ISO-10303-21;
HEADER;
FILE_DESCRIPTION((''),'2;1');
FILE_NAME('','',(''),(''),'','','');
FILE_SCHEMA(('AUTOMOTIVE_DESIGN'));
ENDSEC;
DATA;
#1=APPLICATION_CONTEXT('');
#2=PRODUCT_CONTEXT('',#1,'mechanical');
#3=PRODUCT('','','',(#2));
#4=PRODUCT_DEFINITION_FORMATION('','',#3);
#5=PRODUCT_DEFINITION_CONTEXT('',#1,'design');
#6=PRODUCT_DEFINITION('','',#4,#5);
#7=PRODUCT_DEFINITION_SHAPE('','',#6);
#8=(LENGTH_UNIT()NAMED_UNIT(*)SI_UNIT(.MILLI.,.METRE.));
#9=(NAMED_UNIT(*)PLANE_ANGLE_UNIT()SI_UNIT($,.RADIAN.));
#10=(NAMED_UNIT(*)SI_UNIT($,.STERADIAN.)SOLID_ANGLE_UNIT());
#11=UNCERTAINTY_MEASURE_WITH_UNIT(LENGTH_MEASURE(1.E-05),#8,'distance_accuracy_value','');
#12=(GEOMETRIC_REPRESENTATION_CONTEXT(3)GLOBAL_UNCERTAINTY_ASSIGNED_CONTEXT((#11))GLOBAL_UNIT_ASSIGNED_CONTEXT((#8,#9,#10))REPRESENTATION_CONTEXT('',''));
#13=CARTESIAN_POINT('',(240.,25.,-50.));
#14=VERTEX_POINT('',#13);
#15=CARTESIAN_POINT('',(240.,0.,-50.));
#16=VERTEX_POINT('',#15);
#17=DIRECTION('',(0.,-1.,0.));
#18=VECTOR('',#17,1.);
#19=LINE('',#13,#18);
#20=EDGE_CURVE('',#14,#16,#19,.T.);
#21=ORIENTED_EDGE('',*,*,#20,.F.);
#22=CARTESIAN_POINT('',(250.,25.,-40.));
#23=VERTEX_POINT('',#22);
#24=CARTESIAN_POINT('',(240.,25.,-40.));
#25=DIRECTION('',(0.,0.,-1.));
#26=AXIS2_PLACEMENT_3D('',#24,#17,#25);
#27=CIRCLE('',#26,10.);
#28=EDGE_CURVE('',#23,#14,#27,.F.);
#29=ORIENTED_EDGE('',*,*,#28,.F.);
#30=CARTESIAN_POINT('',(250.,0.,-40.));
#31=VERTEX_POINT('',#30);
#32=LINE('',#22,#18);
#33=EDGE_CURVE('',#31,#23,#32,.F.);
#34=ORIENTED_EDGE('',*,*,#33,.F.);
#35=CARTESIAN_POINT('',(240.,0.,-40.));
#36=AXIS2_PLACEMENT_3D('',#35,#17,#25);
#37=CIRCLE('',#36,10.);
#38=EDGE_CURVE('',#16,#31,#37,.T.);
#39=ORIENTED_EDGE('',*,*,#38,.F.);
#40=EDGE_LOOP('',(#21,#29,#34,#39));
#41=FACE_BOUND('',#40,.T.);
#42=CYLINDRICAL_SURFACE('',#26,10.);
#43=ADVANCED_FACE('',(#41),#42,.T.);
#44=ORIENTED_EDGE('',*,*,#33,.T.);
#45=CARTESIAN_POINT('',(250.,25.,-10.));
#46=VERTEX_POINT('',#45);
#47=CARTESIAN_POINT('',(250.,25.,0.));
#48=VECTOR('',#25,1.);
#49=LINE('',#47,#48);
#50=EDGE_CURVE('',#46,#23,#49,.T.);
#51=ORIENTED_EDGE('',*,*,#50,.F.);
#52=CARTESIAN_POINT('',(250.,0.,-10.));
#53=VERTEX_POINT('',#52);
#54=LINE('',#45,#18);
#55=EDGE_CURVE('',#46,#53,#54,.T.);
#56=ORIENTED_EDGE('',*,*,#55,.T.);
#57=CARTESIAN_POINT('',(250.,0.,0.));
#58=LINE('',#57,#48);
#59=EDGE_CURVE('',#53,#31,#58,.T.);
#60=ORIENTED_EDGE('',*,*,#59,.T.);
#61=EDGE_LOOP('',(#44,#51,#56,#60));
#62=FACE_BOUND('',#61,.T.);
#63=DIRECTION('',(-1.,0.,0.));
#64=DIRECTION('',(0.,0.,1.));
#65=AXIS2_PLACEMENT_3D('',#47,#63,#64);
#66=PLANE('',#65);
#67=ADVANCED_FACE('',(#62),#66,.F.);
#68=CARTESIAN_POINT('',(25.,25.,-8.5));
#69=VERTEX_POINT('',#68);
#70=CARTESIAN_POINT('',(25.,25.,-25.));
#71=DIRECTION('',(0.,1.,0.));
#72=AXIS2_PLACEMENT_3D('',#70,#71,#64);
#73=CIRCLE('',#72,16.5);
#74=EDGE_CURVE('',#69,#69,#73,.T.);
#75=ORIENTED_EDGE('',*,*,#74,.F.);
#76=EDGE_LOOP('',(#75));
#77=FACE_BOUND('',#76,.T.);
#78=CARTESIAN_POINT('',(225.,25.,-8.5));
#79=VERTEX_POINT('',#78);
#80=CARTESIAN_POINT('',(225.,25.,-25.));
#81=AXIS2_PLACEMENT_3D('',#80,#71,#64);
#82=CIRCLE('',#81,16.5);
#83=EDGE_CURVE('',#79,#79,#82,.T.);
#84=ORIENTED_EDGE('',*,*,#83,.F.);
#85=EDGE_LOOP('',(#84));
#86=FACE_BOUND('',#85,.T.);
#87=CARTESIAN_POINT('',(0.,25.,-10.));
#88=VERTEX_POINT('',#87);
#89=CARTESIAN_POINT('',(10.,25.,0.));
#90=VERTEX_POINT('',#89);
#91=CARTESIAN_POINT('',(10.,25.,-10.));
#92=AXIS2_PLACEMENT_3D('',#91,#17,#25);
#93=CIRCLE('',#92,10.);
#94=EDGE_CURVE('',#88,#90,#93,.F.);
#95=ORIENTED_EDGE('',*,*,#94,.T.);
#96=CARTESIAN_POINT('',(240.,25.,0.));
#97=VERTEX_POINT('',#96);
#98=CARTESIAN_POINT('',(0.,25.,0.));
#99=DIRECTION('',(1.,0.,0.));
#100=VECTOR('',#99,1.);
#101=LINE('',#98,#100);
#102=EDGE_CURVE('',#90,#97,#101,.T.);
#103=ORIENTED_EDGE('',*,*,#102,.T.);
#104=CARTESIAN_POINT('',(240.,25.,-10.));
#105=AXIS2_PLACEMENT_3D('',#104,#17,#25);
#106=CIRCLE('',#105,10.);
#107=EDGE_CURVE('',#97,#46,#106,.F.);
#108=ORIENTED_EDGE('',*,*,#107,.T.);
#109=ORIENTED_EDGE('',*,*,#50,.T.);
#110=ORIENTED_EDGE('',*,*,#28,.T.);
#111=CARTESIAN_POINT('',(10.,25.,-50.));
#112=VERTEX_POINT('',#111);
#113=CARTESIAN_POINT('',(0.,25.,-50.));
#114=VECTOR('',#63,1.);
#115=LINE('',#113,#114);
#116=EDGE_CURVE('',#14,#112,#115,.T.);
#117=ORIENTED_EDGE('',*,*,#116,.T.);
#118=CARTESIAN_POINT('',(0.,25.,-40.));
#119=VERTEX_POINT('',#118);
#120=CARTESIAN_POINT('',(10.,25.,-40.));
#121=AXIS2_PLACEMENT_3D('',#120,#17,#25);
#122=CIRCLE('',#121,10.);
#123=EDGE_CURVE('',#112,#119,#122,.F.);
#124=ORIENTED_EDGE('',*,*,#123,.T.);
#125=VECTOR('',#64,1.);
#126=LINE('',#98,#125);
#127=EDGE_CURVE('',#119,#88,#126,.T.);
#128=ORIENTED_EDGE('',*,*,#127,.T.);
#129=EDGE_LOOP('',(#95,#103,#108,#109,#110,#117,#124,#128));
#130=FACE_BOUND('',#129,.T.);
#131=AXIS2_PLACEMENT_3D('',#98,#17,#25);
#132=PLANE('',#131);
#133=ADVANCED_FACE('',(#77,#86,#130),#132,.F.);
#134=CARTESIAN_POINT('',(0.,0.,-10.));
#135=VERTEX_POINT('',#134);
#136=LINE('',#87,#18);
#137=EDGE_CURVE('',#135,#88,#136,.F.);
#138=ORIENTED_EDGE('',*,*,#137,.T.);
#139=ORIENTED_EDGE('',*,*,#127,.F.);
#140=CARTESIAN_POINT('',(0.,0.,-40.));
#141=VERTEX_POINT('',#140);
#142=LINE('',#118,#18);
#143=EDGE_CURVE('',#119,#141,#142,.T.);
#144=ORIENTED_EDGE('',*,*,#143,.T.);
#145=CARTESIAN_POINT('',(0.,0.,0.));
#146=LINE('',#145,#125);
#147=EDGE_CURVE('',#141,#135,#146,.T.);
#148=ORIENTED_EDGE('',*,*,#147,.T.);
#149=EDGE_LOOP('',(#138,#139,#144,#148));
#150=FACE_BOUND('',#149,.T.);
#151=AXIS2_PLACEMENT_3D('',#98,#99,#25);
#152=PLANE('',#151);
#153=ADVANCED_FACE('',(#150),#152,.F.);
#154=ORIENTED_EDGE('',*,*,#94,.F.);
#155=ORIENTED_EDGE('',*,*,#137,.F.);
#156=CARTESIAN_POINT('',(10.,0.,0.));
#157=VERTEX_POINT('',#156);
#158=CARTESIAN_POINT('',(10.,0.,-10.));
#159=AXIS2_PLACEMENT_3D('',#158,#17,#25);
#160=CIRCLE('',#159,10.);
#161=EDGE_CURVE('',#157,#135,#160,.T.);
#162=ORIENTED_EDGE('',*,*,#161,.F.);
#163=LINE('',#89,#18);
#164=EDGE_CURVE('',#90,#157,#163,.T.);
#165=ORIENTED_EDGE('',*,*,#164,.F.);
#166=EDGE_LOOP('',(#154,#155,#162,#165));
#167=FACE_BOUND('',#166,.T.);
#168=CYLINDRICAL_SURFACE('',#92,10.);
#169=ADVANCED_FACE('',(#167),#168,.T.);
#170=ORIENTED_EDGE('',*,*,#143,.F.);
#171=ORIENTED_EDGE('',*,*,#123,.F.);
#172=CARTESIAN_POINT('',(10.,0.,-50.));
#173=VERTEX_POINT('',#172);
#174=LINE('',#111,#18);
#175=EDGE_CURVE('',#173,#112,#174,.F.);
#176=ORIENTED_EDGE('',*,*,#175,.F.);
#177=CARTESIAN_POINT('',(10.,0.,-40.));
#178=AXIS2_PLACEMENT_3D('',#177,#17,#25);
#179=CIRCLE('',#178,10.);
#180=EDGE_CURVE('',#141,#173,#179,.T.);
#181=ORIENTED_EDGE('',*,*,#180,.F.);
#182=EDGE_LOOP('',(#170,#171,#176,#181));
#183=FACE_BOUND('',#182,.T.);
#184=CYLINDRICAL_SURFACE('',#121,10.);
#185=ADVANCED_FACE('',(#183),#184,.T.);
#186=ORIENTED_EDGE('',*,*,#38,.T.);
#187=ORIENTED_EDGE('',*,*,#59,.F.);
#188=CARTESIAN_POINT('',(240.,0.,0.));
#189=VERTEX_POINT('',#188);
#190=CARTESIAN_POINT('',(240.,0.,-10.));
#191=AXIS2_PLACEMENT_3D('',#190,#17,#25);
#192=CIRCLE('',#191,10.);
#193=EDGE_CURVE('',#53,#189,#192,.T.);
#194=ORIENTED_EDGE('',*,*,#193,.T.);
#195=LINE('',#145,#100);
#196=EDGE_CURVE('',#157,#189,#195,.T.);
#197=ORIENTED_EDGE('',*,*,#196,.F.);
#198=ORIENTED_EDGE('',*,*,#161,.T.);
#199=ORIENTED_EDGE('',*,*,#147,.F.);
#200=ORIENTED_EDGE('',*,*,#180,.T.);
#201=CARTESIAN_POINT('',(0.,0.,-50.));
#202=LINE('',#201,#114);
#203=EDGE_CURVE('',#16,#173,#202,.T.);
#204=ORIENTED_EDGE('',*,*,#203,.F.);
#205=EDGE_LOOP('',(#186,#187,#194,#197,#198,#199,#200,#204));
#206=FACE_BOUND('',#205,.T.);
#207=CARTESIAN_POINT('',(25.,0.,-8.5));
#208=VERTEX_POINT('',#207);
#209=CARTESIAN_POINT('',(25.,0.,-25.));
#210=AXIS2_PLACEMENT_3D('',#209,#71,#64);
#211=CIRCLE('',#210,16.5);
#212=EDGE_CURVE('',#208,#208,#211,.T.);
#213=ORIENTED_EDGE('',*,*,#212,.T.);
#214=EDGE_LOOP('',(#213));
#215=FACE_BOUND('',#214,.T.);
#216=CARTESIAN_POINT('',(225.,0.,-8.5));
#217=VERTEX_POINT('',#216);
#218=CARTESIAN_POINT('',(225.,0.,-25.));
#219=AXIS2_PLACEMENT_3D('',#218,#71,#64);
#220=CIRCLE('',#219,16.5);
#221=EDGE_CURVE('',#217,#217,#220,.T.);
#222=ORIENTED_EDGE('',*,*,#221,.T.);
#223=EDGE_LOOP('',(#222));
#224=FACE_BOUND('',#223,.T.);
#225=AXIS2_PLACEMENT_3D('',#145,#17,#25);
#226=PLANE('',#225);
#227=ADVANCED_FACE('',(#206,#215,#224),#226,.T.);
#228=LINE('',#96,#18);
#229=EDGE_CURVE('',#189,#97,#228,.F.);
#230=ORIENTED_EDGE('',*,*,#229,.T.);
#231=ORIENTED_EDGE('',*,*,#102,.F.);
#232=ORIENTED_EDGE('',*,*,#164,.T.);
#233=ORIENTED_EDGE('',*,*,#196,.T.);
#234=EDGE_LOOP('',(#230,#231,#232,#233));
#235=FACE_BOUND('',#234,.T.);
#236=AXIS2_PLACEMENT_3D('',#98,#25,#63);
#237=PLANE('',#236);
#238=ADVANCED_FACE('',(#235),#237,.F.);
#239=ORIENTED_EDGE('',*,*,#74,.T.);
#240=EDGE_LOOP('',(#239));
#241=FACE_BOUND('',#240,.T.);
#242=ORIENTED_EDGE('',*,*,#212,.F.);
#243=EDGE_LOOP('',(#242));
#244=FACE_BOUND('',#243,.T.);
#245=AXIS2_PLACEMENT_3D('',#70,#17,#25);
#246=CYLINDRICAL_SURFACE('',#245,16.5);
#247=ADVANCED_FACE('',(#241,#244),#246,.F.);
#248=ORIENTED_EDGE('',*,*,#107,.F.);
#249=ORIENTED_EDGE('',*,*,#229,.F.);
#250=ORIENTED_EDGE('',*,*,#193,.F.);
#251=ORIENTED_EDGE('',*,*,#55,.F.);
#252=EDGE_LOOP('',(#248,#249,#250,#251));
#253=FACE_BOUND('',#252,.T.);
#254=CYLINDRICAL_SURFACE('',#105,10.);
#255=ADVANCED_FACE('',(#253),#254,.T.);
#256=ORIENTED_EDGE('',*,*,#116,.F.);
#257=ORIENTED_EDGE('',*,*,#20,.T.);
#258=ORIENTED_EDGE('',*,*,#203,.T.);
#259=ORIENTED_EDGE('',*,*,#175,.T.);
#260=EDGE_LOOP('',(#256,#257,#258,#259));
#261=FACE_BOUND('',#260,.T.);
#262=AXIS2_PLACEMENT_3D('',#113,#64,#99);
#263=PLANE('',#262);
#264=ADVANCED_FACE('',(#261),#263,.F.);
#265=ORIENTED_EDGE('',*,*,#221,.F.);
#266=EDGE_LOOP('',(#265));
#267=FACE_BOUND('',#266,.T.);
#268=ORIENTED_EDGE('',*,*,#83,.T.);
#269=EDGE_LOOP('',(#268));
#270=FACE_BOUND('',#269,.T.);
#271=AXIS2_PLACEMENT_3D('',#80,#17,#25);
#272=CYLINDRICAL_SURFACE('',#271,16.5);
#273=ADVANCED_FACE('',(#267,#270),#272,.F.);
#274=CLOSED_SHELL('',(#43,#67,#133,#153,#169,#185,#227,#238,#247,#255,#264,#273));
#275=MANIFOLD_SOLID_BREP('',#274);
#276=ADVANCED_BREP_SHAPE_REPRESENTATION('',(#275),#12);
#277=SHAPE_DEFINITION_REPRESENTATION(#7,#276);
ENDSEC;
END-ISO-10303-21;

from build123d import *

# Parameters (mm, degrees)
SKETCH_1_W      = 250
SKETCH_1_H      = 50
SKETCH_1_R      = 16.5
EXTRUDE_1_DEPTH = 25
FILLET_1_R      = 10


with BuildPart() as part:
    # 草图1 → 凸台-拉伸1 (new body)
    with BuildSketch(Plane(origin=(0, 0, 0), x_dir=(1, 0, 0), z_dir=(0, 1, 0))):
        with Locations((125, 25)):
            Rectangle(SKETCH_1_W, SKETCH_1_H)
        with Locations(Location((25, 25, 0), (0, 0, 270))):
            Circle(SKETCH_1_R, mode=Mode.SUBTRACT)
        with Locations(Location((225, 25, 0), (0, 0, 270))):
            Circle(SKETCH_1_R, mode=Mode.SUBTRACT)
    extrude(amount=EXTRUDE_1_DEPTH)

    # 圆角1
    fillet_1_edges = [part.edges().sort_by_distance(p)[0] for p in [
        (0, 12.5, -50),
        (250, 12.5, -50),
        (250, 12.5, 0),
        (0, 12.5, 0),
    ]]
    fillet(fillet_1_edges, radius=FILLET_1_R)


solid = part.part
